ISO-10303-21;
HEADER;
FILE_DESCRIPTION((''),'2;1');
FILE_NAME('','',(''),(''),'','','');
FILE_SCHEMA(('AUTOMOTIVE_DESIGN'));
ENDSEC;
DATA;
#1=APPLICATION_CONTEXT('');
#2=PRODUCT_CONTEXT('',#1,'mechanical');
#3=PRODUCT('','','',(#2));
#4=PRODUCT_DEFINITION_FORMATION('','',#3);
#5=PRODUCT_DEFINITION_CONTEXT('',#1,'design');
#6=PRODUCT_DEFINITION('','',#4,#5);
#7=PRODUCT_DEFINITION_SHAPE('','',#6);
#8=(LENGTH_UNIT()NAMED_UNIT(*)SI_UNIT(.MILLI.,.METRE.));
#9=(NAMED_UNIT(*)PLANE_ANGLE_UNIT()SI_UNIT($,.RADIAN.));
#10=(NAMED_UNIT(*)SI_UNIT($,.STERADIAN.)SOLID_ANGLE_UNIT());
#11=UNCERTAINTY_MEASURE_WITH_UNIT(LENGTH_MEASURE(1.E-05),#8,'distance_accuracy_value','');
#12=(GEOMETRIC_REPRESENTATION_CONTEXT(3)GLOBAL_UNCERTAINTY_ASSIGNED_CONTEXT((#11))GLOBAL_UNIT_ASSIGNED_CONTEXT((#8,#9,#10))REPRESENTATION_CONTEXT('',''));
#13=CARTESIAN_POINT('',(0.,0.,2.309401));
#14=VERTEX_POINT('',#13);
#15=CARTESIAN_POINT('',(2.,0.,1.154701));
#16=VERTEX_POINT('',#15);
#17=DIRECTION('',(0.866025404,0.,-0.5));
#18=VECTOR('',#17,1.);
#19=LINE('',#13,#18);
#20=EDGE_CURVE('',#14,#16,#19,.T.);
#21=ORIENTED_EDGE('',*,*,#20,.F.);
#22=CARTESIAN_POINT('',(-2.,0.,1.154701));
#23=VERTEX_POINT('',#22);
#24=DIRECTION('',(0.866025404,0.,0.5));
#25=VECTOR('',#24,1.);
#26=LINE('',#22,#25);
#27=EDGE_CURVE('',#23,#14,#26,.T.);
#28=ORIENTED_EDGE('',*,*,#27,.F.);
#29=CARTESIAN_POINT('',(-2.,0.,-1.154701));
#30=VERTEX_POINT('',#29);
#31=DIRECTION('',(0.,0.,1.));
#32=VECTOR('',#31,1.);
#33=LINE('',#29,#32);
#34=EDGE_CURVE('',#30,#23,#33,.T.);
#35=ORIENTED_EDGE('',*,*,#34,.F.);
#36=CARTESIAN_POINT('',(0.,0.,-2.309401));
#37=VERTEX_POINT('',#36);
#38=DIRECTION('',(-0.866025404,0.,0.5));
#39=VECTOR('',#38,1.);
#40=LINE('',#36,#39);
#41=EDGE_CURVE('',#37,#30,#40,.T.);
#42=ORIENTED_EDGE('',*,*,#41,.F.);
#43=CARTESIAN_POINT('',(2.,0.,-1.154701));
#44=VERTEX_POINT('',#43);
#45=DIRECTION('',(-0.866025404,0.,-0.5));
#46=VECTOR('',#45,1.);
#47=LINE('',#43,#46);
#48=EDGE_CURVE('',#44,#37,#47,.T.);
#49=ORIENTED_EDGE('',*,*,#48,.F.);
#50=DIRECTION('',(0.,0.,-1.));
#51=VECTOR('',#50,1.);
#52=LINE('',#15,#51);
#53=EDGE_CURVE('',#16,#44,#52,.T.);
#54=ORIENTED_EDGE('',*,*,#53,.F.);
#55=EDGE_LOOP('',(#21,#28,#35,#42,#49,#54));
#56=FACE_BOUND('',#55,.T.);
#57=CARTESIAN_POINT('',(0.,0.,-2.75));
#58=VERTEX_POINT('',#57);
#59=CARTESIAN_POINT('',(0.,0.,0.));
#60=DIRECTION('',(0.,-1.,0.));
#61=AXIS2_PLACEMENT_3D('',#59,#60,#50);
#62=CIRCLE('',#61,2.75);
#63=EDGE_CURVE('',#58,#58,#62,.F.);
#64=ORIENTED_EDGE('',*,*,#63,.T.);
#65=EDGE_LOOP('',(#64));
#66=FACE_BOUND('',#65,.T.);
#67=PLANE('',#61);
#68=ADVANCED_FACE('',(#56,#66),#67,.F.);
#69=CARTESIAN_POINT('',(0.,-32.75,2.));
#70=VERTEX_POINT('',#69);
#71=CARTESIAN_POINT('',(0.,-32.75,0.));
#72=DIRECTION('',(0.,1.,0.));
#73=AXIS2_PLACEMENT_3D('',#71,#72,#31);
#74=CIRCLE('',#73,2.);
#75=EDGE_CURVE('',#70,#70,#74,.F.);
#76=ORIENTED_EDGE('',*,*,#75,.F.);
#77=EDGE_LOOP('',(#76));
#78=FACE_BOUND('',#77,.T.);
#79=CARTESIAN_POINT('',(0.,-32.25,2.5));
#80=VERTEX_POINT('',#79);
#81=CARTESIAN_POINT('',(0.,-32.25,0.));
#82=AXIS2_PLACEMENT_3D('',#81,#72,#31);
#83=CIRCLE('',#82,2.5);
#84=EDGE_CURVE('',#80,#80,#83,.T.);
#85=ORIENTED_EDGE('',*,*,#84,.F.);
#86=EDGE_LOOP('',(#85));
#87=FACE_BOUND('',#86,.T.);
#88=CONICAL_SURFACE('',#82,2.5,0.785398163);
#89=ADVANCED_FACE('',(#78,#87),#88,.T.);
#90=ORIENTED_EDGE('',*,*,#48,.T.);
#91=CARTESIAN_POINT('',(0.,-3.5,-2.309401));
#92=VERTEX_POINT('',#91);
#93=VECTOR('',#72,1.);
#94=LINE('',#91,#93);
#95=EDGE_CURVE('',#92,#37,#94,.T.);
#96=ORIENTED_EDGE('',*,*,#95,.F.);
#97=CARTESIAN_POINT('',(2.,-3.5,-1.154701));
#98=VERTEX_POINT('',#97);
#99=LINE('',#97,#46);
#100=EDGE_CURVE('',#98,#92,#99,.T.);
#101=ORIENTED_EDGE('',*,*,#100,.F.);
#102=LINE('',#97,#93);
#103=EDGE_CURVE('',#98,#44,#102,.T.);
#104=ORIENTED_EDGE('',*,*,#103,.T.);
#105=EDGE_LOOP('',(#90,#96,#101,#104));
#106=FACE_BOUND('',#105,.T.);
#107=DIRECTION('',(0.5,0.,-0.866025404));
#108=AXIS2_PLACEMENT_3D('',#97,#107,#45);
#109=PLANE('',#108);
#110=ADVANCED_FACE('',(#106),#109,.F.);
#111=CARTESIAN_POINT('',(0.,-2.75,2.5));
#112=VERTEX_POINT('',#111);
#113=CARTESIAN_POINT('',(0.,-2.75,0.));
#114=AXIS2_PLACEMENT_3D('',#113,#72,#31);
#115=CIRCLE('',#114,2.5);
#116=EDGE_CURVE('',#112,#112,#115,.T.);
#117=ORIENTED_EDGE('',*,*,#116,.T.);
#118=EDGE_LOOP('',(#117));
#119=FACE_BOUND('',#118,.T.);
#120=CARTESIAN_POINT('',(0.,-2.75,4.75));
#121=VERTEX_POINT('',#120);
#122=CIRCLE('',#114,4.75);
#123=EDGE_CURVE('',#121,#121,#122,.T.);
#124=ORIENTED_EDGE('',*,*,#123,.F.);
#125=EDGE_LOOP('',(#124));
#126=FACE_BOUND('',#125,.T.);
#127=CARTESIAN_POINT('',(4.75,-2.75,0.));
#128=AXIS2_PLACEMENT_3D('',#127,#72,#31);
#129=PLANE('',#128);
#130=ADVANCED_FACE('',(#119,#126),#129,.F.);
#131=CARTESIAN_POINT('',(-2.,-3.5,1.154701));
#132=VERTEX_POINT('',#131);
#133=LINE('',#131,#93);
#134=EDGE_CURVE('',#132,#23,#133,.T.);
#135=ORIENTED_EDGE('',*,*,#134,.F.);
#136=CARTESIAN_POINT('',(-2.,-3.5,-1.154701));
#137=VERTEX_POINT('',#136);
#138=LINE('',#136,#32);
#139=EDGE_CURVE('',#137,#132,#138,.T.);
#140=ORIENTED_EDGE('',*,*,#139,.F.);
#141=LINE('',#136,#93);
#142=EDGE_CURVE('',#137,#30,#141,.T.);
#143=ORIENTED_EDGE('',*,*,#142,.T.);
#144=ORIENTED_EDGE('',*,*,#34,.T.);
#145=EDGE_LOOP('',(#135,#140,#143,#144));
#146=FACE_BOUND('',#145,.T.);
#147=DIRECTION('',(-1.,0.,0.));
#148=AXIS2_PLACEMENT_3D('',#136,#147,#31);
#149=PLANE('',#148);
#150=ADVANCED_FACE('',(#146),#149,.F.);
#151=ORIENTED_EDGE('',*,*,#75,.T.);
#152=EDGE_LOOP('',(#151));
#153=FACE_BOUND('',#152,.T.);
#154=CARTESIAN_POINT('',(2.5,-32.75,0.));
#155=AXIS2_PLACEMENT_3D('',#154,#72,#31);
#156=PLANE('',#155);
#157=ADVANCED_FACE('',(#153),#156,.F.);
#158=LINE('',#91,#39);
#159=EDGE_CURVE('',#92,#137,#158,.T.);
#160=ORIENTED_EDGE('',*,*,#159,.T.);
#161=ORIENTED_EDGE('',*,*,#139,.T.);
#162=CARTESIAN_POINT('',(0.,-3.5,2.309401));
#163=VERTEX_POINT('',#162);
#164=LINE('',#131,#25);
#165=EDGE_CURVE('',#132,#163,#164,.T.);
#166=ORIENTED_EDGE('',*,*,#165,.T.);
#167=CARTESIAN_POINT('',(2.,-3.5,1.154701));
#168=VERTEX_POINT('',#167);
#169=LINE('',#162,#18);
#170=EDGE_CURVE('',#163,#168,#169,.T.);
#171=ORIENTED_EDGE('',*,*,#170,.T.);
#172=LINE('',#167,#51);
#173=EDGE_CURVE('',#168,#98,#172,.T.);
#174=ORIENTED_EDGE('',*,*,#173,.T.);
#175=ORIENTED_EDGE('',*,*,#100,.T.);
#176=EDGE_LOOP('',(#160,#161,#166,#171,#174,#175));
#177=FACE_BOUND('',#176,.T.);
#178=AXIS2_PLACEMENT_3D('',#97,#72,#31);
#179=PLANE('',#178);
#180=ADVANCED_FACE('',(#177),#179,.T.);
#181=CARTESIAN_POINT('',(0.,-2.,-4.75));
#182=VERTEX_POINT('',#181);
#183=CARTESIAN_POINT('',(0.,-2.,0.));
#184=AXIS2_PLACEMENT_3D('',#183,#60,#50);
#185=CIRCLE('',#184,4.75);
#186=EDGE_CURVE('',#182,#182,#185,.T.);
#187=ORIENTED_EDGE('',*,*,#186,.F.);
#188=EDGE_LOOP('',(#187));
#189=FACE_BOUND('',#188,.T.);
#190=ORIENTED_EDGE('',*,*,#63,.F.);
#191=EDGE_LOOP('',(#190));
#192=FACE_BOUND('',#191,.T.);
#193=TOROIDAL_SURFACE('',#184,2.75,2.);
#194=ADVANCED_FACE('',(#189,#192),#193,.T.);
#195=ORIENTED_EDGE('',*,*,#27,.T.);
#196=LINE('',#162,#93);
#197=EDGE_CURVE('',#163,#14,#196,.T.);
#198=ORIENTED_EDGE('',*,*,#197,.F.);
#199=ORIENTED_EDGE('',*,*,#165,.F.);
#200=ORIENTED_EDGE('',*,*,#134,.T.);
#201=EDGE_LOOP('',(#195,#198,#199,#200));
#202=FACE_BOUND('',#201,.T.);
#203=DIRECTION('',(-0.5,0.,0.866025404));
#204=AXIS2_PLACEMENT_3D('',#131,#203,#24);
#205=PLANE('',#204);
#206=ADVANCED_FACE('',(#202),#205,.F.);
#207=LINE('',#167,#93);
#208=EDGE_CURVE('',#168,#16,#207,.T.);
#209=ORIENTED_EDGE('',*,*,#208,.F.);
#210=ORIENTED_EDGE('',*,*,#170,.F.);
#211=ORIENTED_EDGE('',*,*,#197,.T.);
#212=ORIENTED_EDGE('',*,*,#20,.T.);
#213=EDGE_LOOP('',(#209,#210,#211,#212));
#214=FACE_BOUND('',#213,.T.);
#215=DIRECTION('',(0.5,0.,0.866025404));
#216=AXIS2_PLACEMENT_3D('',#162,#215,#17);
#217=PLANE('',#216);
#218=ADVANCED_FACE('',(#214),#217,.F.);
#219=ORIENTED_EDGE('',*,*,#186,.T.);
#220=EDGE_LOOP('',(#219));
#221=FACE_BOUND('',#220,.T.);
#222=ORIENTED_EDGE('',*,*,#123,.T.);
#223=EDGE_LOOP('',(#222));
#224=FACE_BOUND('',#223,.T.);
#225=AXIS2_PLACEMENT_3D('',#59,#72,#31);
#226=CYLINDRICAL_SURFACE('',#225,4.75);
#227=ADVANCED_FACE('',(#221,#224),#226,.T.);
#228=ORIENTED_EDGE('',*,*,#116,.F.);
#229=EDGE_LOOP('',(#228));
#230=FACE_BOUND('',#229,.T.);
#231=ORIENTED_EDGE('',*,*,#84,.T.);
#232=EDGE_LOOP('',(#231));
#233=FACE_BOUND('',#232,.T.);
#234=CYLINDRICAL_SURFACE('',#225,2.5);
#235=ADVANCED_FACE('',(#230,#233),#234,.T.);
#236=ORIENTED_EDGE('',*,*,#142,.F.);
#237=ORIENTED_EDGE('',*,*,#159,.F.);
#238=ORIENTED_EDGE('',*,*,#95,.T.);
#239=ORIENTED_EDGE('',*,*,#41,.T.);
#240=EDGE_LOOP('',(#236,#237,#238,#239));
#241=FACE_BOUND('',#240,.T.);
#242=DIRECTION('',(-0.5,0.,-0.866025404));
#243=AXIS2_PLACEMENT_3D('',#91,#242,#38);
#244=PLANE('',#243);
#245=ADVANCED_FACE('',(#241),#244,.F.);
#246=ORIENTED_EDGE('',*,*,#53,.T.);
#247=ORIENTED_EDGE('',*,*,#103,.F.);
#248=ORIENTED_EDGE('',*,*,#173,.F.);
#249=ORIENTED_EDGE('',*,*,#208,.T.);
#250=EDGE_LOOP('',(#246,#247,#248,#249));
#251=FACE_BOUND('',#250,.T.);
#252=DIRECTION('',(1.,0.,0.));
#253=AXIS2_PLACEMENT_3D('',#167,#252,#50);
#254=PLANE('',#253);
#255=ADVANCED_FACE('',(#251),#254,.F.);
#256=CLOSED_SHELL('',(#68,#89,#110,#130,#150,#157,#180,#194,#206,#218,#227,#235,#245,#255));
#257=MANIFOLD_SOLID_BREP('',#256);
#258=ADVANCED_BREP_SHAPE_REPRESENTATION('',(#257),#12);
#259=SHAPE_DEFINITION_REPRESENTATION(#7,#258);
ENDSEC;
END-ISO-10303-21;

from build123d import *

# Parameters (mm, degrees)
CORTAR_EXTRUIR1_DEPTH = 3.5
CHAFL_N1_SIZE         = 0.5
REDONDEO1_R           = 2


with BuildPart() as part:
    # Croquis1 → Revolución1 (revolve)
    with BuildSketch(Plane.XY):
        Polygon((0, 0), (4.75, 0), (4.75, -2.75), (2.5, -2.75), (2.5, -32.75), (0, -32.75), align=None)
    revolve(axis=Axis((0, 0, 0), (0, -1, 0)))

    # Croquis2 → Cortar-Extruir1 (cut)
    with BuildSketch(Plane(origin=(0, 0, 0), x_dir=(1, 0, 0), z_dir=(0, 1, 0))):
        Polygon((2, 1.154700538), (0, 2.309401077), (-2, 1.154700538), (-2, -1.154700538), (0, -2.309401077), (2, -1.154700538), align=None)
    extrude(amount=-CORTAR_EXTRUIR1_DEPTH, mode=Mode.SUBTRACT)

    # Chaflán1
    chafl_n1_edges = [part.edges().sort_by_distance(p)[0] for p in [
        (-2.5, -32.75, 0),
    ]]
    chamfer(chafl_n1_edges, length=CHAFL_N1_SIZE)

    # Redondeo1
    redondeo1_edges = [part.edges().sort_by_distance(p)[0] for p in [
        (-4.75, 0, 0),
    ]]
    fillet(redondeo1_edges, radius=REDONDEO1_R)


solid = part.part
